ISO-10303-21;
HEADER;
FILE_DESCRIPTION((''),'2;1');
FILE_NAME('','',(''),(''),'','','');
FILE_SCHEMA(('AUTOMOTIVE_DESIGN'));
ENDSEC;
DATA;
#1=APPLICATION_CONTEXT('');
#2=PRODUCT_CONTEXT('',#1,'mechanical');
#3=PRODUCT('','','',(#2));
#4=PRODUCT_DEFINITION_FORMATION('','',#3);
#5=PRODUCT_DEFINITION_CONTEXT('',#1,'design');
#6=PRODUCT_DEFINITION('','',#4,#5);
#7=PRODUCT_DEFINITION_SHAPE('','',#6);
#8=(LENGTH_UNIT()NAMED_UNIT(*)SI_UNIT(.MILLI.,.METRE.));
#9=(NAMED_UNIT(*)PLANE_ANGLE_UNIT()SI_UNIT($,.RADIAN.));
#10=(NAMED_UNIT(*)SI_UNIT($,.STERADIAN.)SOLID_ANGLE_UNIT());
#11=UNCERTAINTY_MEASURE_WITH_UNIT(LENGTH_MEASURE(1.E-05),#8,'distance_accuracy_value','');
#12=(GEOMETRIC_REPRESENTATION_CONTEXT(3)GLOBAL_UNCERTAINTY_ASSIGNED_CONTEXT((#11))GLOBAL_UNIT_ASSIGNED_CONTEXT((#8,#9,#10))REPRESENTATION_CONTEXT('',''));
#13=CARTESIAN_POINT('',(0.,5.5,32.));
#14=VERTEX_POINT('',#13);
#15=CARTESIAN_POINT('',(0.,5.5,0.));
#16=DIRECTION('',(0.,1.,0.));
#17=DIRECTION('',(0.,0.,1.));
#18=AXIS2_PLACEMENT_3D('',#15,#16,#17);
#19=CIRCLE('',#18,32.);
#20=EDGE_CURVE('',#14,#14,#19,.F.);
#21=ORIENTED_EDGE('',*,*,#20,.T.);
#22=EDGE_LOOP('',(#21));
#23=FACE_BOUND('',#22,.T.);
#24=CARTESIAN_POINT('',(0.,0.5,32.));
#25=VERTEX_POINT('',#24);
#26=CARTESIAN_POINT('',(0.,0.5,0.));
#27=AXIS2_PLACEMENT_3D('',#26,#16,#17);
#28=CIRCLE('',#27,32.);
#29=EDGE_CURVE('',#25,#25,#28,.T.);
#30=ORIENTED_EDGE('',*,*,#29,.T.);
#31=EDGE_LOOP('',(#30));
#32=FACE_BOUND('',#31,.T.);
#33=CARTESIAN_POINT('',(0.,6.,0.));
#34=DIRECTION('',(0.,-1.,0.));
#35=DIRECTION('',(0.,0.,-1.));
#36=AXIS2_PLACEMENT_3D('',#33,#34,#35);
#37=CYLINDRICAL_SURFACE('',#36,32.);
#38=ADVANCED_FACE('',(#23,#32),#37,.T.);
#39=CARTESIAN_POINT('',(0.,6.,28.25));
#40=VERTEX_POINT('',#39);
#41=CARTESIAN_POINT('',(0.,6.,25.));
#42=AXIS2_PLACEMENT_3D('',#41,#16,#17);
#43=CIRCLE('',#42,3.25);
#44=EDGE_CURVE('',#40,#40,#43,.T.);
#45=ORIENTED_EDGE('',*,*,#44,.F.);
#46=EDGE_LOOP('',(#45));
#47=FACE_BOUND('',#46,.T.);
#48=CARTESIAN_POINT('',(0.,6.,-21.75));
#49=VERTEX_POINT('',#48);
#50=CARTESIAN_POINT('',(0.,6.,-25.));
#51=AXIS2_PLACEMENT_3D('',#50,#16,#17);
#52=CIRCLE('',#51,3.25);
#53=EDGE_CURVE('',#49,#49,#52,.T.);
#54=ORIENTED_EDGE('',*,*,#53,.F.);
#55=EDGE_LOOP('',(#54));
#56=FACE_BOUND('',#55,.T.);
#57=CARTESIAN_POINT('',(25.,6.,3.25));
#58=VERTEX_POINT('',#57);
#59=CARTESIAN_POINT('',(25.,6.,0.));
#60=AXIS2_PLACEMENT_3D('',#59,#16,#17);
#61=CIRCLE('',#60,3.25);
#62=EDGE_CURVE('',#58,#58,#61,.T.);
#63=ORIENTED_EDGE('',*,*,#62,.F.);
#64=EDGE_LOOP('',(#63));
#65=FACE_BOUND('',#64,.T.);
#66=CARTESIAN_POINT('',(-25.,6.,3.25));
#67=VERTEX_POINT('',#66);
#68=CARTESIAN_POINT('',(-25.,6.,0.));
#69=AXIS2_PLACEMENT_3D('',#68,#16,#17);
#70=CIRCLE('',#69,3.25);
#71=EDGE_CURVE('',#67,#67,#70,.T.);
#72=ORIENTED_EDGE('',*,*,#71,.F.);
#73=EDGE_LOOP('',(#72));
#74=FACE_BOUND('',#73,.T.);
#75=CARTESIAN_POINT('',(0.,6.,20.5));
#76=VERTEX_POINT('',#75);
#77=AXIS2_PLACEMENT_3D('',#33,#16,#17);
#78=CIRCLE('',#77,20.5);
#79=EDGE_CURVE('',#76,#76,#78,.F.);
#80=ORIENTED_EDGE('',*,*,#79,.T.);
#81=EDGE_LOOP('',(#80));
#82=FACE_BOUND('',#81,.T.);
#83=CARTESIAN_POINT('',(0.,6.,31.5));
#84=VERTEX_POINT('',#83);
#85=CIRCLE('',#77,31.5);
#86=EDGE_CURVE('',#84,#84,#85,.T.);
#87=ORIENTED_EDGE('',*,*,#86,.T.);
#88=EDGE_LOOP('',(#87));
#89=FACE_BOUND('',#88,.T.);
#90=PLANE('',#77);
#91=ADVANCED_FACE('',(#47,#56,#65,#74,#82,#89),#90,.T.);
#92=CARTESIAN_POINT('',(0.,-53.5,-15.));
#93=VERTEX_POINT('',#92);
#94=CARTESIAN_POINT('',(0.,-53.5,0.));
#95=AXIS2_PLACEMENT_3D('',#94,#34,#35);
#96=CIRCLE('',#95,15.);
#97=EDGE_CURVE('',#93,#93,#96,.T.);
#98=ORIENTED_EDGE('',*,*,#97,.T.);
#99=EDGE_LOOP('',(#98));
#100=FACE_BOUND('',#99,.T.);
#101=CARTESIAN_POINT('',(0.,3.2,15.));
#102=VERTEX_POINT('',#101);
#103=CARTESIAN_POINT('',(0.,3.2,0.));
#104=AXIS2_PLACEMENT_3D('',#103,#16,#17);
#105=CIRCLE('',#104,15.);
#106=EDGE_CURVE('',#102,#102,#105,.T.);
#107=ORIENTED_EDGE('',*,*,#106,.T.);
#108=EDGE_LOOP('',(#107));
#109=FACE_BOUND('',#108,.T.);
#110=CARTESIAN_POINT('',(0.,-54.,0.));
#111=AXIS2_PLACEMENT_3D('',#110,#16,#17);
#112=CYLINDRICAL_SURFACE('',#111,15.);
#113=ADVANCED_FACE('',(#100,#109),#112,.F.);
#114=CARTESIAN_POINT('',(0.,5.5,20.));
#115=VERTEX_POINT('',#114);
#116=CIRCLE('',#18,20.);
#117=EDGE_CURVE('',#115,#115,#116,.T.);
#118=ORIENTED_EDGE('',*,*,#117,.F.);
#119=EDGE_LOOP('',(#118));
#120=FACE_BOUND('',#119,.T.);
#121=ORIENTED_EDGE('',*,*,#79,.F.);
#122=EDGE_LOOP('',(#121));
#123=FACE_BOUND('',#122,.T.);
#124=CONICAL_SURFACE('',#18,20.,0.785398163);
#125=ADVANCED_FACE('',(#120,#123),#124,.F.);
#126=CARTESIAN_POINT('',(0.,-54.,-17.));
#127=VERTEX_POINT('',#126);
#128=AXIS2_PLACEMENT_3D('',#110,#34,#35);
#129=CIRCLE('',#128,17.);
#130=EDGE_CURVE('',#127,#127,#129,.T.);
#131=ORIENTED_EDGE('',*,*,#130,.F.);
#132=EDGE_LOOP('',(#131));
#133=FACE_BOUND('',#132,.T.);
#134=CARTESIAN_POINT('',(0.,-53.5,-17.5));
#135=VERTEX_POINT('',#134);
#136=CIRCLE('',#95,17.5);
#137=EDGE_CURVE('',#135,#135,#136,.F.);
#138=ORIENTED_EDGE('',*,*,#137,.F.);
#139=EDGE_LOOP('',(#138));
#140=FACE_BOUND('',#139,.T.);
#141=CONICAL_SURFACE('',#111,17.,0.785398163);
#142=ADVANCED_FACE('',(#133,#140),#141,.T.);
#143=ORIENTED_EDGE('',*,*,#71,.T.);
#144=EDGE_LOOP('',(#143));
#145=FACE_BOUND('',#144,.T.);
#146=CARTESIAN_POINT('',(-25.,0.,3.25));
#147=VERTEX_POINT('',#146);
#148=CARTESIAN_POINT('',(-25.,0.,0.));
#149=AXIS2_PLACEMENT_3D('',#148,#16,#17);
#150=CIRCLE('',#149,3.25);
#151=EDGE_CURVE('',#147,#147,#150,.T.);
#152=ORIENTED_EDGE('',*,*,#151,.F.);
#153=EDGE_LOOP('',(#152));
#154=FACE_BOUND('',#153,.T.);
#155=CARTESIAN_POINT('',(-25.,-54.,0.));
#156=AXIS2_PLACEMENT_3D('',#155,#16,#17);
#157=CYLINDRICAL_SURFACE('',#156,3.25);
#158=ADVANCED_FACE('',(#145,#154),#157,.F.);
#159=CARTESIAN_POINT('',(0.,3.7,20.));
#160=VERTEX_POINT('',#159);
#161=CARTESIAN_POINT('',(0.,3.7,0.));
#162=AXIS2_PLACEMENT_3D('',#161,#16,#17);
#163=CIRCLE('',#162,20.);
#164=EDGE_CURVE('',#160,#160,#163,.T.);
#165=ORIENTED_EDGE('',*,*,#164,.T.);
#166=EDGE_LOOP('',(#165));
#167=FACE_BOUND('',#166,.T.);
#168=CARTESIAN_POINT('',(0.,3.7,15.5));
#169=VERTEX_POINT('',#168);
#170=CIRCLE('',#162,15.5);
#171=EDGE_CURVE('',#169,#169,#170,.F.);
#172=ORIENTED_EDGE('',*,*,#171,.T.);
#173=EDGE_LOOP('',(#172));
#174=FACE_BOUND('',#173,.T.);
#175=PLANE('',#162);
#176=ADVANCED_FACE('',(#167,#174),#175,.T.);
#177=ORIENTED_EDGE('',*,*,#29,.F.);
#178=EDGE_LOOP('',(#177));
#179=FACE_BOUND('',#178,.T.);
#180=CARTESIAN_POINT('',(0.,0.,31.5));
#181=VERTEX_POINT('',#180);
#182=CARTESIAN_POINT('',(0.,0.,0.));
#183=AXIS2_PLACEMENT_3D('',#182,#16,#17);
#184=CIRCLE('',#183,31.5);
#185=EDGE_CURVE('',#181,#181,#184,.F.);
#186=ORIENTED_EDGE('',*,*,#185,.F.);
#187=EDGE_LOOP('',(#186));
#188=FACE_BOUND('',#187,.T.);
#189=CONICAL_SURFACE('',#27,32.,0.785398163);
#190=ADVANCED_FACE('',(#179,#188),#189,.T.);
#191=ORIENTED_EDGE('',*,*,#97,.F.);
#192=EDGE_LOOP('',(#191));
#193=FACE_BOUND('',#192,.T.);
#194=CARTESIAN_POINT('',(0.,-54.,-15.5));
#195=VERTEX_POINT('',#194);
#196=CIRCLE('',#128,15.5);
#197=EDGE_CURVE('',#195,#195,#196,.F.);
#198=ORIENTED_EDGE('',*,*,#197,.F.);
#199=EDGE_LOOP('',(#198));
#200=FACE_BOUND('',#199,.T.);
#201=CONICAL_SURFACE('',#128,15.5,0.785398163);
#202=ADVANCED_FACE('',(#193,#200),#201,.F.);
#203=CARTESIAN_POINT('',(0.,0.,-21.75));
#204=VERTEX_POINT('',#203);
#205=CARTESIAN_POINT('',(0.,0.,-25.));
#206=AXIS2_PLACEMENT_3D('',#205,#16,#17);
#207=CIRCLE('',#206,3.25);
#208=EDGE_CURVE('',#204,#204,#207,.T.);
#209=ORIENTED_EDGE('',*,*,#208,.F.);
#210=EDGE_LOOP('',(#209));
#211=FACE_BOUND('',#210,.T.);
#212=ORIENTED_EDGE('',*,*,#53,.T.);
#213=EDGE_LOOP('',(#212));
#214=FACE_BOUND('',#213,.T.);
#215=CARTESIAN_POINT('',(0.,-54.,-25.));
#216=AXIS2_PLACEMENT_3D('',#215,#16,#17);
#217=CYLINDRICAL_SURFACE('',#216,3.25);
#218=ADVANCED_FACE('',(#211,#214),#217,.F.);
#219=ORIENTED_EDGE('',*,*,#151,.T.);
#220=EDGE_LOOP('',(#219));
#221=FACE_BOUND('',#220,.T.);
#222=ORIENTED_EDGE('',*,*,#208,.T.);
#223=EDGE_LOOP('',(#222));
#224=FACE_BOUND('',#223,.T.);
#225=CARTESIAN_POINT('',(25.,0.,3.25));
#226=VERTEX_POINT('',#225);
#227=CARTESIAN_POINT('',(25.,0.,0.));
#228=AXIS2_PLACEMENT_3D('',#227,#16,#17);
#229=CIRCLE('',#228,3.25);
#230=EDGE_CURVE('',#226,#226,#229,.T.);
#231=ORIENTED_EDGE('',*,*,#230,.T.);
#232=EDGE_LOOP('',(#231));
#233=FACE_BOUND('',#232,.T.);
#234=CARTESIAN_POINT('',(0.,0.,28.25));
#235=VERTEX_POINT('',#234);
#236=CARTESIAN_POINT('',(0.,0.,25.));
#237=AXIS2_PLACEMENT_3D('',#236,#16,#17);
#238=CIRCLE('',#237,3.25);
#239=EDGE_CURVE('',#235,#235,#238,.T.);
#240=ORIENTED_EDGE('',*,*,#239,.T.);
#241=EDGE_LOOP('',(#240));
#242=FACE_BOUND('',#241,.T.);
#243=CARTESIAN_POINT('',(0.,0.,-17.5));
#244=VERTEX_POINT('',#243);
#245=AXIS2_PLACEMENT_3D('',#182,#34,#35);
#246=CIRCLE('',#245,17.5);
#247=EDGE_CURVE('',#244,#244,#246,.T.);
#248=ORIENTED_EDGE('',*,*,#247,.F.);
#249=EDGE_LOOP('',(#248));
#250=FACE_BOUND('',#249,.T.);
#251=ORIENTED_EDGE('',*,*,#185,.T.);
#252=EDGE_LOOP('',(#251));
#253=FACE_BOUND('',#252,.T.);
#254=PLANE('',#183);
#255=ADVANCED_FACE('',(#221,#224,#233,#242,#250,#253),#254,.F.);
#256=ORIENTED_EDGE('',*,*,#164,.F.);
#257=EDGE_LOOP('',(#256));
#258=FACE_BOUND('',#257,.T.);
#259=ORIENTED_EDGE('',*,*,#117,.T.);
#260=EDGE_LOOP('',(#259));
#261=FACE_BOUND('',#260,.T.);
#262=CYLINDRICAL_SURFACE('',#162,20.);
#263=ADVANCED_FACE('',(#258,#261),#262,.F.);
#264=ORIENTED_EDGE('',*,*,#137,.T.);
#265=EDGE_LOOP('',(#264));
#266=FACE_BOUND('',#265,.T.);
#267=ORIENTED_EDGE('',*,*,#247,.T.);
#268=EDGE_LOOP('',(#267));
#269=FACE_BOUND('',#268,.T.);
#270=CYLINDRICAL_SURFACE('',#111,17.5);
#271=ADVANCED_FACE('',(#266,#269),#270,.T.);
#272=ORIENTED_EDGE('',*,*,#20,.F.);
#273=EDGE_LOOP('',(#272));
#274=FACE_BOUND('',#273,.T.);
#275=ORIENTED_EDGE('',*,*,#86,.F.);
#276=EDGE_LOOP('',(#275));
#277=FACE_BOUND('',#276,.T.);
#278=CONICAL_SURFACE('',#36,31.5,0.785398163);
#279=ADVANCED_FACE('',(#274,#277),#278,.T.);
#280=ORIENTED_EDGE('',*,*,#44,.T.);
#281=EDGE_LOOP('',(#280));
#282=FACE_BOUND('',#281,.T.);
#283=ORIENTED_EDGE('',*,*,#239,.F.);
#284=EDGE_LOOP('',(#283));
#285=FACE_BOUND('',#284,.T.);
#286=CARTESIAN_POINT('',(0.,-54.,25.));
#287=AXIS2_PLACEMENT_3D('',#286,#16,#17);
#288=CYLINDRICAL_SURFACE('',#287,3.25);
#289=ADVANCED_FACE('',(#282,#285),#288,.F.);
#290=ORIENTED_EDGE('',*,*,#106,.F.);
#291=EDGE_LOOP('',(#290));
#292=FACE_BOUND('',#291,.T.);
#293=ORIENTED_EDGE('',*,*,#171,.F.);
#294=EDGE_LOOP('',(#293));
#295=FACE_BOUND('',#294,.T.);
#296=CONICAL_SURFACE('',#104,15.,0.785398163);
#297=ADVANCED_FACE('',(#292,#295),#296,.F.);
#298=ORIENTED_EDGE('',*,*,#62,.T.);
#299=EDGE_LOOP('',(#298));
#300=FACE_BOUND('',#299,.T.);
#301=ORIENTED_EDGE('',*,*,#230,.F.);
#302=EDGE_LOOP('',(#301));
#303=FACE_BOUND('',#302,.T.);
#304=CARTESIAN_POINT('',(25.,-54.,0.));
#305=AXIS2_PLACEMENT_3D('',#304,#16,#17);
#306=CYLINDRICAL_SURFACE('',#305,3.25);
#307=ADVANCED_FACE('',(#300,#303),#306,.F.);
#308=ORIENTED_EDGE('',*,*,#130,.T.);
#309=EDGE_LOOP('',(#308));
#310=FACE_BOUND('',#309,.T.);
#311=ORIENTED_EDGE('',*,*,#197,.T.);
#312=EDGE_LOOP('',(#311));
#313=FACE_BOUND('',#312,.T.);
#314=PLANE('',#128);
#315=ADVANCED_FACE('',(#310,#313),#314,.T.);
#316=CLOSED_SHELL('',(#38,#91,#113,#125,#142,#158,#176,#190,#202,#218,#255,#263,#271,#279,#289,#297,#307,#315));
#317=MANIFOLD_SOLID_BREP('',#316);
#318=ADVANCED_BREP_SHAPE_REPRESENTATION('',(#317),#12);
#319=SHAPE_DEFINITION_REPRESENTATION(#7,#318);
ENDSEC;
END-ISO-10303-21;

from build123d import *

# Parameters (mm, degrees)
SKETCH1_R           = 32
BOSS_EXTRUDE1_DEPTH = 6
SKETCH2_R           = 17.5
BOSS_EXTRUDE2_DEPTH = 54
SKETCH3_R           = 20
CUT_EXTRUDE1_DEPTH  = 2.3
SKETCH4_R           = 15
CUT_EXTRUDE2_DEPTH  = 74.3300075
SKETCH5_R           = 3.25
CUT_EXTRUDE3_DEPTH  = 76.153176912
CHAMFER1_SIZE       = 0.5


with BuildPart() as part:
    # Sketch1 → Boss-Extrude1 (new body)
    with BuildSketch(Plane(origin=(0, 0, 0), x_dir=(1, 0, 0), z_dir=(0, 1, 0))):
        with Locations(Location((0, 0, 0), (0, 0, 270))):
            Circle(SKETCH1_R)
    extrude(amount=BOSS_EXTRUDE1_DEPTH)

    # Sketch2 → Boss-Extrude2 (add)
    with BuildSketch(Plane.XZ):
        with Locations(Location((0, 0, 0), (0, 0, 270))):
            Circle(SKETCH2_R)
    extrude(amount=BOSS_EXTRUDE2_DEPTH)

    # Sketch3 → Cut-Extrude1 (cut)
    with BuildSketch(Plane(origin=(0, 6, 0), x_dir=(1, 0, 0), z_dir=(0, 1, 0))):
        with Locations(Location((0, 0, 0), (0, 0, 270))):
            Circle(SKETCH3_R)
    extrude(amount=-CUT_EXTRUDE1_DEPTH, mode=Mode.SUBTRACT)

    # Sketch4 → Cut-Extrude2 (cut, through all)
    with BuildSketch(Plane(origin=(0, 3.7, 0), x_dir=(1, 0, 0), z_dir=(0, 1, 0))):
        with Locations(Location((0, 0, 0), (0, 0, 270))):
            Circle(SKETCH4_R)
    extrude(amount=-CUT_EXTRUDE2_DEPTH, mode=Mode.SUBTRACT)

    # Sketch5 → Cut-Extrude3 (cut, through all)
    with BuildSketch(Plane(origin=(0, 6, 0), x_dir=(1, 0, 0), z_dir=(0, 1, 0))):
        with Locations(Location((0, 25, 0), (0, 0, 270))):
            Circle(SKETCH5_R)
        with Locations(Location((25, 0, 0), (0, 0, 270))):
            Circle(SKETCH5_R)
        with Locations(Location((0, -25, 0), (0, 0, 270))):
            Circle(SKETCH5_R)
        with Locations(Location((-25, 0, 0), (0, 0, 270))):
            Circle(SKETCH5_R)
    extrude(amount=-CUT_EXTRUDE3_DEPTH, mode=Mode.SUBTRACT)

    # Chamfer1
    chamfer1_edges = [part.edges().sort_by_distance(p)[0] for p in [
        (0, 6, -20),
        (0, -54, -15),
        (0, 3.7, -15),
        (0, 0, -32),
        (0, 6, -32),
        (0, -54, 17.5),
    ]]
    chamfer(chamfer1_edges, length=CHAMFER1_SIZE)


solid = part.part
